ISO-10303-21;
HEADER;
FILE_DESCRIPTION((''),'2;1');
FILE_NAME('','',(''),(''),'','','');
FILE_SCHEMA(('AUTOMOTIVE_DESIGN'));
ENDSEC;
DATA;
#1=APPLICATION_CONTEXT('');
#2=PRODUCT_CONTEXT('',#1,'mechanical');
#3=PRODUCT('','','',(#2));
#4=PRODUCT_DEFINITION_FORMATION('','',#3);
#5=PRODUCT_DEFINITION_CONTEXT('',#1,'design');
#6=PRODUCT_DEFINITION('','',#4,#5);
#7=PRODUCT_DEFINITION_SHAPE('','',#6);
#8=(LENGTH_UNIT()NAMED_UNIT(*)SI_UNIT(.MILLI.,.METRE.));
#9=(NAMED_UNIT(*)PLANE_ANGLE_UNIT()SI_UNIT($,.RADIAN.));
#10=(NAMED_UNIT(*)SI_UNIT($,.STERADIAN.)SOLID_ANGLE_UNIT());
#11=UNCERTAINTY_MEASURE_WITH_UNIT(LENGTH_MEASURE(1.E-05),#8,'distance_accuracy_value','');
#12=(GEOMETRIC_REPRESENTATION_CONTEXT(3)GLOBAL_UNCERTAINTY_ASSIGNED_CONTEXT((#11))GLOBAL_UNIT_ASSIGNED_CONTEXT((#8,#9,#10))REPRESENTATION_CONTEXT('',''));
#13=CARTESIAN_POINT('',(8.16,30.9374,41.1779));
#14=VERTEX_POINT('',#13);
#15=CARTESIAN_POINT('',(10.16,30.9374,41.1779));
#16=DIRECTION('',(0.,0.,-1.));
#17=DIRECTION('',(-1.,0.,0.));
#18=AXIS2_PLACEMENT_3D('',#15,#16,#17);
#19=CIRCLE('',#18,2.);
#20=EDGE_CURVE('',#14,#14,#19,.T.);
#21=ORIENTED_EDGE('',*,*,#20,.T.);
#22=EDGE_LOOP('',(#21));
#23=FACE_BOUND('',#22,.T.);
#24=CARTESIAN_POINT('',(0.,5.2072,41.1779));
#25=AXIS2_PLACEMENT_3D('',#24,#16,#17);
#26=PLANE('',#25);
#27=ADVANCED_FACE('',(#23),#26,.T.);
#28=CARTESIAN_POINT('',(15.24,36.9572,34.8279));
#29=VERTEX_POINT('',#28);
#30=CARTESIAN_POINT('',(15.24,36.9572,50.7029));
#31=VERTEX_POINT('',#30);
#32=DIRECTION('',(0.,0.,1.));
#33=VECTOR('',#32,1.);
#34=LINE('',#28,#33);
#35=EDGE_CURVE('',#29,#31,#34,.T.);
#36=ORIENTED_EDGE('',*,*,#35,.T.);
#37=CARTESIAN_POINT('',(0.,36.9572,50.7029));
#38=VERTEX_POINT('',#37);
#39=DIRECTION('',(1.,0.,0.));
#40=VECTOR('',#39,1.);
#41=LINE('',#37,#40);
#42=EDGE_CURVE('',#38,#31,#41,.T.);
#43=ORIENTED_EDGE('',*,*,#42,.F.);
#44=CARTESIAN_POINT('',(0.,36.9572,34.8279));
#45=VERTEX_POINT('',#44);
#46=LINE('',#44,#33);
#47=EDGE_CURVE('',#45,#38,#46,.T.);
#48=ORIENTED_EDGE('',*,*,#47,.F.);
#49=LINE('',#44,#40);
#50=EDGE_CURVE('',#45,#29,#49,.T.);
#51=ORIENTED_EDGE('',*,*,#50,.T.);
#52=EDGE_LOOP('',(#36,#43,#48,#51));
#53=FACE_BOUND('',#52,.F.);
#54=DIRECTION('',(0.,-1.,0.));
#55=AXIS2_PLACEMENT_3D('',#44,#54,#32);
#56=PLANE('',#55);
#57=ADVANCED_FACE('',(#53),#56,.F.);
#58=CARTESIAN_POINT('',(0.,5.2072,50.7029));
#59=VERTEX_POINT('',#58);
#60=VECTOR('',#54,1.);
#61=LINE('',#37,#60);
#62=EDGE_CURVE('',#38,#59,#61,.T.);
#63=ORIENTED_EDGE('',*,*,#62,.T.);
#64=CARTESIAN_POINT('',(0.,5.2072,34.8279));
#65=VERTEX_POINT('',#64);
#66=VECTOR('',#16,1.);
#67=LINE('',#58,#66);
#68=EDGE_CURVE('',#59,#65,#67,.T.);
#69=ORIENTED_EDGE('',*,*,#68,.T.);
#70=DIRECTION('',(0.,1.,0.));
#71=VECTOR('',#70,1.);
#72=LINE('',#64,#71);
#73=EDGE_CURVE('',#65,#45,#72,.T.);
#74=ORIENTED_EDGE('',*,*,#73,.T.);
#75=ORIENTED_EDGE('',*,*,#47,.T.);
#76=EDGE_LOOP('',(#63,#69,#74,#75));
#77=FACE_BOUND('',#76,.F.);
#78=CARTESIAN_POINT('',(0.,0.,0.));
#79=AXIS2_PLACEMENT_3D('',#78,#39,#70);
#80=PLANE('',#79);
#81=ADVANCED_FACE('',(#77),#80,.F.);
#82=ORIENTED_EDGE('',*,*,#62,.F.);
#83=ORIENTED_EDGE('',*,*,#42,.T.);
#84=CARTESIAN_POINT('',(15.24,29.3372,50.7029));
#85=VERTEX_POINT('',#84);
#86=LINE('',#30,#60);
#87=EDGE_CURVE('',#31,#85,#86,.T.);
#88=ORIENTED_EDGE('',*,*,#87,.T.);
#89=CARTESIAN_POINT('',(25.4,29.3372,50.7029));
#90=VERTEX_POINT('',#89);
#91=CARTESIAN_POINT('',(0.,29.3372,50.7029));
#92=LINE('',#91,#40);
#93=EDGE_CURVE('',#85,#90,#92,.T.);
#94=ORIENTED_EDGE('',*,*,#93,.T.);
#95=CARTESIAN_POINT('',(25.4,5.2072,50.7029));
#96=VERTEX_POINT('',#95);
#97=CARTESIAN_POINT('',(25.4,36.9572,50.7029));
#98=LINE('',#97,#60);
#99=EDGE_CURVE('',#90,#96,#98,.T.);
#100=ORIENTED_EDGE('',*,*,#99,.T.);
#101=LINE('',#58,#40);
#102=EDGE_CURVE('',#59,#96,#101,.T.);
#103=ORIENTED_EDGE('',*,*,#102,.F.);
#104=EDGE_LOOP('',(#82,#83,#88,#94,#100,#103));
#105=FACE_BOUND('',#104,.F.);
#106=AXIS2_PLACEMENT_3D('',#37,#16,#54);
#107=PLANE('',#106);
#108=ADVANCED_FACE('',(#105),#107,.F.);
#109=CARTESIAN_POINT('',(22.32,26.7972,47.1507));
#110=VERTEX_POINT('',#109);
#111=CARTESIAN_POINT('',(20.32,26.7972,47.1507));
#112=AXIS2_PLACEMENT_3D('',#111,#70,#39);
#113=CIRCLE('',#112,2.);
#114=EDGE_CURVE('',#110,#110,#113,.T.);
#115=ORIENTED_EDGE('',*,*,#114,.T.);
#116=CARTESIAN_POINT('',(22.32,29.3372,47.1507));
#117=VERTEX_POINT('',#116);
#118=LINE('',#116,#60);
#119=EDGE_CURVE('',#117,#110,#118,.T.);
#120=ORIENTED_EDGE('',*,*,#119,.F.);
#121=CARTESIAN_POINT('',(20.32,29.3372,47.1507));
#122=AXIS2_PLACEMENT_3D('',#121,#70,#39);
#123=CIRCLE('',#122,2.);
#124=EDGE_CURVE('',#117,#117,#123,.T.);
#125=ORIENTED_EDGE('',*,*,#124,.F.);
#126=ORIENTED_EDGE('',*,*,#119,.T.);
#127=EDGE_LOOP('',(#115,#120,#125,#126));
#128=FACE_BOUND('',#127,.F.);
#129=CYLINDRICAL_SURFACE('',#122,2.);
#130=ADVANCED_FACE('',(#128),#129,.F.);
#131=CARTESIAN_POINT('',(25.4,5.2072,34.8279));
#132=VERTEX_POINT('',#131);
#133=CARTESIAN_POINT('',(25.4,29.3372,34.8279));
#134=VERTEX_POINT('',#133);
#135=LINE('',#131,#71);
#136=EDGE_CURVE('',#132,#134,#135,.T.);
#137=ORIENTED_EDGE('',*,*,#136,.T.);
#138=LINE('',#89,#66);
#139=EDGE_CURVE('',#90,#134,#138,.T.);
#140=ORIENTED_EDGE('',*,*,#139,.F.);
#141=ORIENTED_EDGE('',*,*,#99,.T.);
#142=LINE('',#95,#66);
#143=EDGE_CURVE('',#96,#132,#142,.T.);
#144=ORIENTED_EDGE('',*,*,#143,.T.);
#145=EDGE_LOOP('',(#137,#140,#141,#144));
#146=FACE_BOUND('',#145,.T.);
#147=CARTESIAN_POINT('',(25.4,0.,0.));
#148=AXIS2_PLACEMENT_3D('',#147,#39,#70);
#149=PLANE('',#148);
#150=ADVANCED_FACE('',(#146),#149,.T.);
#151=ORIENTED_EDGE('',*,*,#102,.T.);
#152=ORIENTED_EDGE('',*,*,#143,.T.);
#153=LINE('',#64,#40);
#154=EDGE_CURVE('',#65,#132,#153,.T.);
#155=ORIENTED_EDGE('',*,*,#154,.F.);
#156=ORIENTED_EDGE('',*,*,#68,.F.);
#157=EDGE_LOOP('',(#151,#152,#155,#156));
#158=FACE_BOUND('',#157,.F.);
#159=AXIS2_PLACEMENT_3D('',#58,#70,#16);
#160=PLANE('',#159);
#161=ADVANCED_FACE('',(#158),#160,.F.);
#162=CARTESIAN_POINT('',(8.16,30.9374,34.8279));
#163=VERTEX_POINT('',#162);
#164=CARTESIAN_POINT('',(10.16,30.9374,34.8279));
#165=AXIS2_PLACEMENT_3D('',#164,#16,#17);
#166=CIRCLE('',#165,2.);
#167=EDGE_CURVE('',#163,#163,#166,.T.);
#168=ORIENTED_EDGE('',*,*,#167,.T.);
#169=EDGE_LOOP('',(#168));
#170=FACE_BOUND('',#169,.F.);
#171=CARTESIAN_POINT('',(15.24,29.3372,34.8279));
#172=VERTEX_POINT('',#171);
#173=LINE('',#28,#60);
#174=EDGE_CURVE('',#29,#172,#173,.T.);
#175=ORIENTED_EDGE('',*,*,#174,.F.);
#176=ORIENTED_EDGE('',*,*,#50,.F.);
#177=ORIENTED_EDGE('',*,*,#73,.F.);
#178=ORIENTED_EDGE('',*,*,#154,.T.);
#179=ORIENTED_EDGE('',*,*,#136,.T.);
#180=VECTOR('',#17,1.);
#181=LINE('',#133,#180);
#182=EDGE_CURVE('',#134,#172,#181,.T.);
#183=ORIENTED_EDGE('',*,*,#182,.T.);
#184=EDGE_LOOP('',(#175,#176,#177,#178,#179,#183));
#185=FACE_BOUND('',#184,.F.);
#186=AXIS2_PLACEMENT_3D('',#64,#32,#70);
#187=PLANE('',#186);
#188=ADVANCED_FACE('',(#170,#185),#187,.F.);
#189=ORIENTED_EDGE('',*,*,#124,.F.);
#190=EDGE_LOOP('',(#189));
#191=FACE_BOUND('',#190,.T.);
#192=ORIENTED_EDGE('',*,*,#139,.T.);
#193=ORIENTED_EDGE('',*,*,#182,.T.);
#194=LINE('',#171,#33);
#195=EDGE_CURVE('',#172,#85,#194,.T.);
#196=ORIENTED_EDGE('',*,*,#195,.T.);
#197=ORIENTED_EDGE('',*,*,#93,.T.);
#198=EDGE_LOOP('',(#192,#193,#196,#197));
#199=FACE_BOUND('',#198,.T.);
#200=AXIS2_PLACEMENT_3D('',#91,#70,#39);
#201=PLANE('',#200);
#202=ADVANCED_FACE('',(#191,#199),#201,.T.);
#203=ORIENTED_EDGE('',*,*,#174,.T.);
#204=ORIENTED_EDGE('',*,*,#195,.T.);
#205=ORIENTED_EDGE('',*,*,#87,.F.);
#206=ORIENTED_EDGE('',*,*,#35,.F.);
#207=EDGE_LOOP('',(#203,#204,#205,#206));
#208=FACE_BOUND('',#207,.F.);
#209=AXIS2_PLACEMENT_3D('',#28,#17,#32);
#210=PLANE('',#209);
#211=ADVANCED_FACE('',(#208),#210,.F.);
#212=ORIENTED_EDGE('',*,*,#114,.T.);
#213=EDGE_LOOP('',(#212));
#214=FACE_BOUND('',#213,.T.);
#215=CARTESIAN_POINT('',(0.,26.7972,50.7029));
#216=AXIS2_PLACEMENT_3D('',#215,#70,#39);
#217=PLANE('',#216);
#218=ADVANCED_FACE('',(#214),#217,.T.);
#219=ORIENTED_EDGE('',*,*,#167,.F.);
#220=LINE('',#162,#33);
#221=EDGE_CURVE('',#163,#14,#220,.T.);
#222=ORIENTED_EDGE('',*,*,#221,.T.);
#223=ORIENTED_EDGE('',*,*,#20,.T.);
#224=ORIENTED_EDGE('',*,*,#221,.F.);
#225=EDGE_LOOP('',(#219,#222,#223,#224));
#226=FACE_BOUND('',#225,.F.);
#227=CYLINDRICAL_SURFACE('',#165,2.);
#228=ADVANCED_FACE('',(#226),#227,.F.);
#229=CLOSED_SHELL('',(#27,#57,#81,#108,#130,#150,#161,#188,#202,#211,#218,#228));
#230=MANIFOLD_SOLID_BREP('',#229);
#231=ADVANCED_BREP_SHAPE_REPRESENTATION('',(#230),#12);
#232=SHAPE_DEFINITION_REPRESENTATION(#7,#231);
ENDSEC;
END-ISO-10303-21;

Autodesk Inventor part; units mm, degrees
ref_plane "YZ Plane" through (0, 0, 0) normal (1, 0, 0) x (0, 1, 0)
ref_plane "XZ Plane" through (0, 0, 0) normal (0, 1, 0) x (-1, 0, 0)
ref_plane "XY Plane" through (0, 0, 0) normal (0, 0, 1) x (1, 0, 0)
sketch "Sketch1" plane through (0, 0, 0) normal (1, 0, 0) x (0, 1, 0)
  line L0 (36.9572, 50.7029) -> (5.2072, 50.7029)
  line L1 (5.2072, 50.7029) -> (5.2072, 34.8279)
  line L2 (5.2072, 34.8279) -> (36.9572, 34.8279)
  line L3 (36.9572, 34.8279) -> (36.9572, 50.7029)
  point P0 (0, 0)
  dimension "d0" = 31.75
  dimension "d1" = 15.875
extrude "Extrusion1" add sketch "Sketch1" along normal blind 25.4
sketch "Sketch2" plane through (0, 36.9572, 50.7029) normal (0, 1, 0) x (1, 0, 0)
  line L0 (25.4, 0) -> (25.4, 15.875) projected
  line L1 (0, 0) -> (25.4, 0) projected
  line L2 (25.4, 15.875) -> (15.24, 15.875)
  line L3 (15.24, 15.875) -> (15.24, 0)
  line L4 (15.24, 0) -> (25.4, 0)
  line L5 (25.4, 0) -> (25.4, 15.875)
  point P0 (0, 50.7029)
  dimension "d4" = 10.16
extrude "Extrusion2" cut sketch "Sketch2" against normal blind 7.62
sketch "Sketch3" plane through (0, 29.3372, 50.7029) normal (0, 1, 0) x (1, 0, 0)
  line L0 (15.24, 0) -> (15.24, 15.875) projected
  line L1 (25.4, 0) -> (15.24, 0) projected
  line L2 (25.4, 15.875) -> (25.4, 0) projected
  line L3 (15.24, 15.875) -> (25.4, 15.875) projected
  circle A0 centre (20.32, 3.5522) radius 2
  point P0 (0, 50.7029)
  dimension "d7" = 4
  dimension "d8" = 5.08
  dimension "d9" = 3.5522
extrude "Extrusion3" cut sketch "Sketch3" against normal blind 2.54 contours A0
sketch "Sketch4" plane through (0, 5.2072, 34.8279) normal (0, 0, -1) x (-1, 0, 0)
  circle A0 centre (-10.16, 25.7302) radius 2 projected
  point P0 (0, -5.2072)
extrude "Extrusion4" cut sketch "Sketch4" against normal blind 6.35
properties part number "Meal inside front"
